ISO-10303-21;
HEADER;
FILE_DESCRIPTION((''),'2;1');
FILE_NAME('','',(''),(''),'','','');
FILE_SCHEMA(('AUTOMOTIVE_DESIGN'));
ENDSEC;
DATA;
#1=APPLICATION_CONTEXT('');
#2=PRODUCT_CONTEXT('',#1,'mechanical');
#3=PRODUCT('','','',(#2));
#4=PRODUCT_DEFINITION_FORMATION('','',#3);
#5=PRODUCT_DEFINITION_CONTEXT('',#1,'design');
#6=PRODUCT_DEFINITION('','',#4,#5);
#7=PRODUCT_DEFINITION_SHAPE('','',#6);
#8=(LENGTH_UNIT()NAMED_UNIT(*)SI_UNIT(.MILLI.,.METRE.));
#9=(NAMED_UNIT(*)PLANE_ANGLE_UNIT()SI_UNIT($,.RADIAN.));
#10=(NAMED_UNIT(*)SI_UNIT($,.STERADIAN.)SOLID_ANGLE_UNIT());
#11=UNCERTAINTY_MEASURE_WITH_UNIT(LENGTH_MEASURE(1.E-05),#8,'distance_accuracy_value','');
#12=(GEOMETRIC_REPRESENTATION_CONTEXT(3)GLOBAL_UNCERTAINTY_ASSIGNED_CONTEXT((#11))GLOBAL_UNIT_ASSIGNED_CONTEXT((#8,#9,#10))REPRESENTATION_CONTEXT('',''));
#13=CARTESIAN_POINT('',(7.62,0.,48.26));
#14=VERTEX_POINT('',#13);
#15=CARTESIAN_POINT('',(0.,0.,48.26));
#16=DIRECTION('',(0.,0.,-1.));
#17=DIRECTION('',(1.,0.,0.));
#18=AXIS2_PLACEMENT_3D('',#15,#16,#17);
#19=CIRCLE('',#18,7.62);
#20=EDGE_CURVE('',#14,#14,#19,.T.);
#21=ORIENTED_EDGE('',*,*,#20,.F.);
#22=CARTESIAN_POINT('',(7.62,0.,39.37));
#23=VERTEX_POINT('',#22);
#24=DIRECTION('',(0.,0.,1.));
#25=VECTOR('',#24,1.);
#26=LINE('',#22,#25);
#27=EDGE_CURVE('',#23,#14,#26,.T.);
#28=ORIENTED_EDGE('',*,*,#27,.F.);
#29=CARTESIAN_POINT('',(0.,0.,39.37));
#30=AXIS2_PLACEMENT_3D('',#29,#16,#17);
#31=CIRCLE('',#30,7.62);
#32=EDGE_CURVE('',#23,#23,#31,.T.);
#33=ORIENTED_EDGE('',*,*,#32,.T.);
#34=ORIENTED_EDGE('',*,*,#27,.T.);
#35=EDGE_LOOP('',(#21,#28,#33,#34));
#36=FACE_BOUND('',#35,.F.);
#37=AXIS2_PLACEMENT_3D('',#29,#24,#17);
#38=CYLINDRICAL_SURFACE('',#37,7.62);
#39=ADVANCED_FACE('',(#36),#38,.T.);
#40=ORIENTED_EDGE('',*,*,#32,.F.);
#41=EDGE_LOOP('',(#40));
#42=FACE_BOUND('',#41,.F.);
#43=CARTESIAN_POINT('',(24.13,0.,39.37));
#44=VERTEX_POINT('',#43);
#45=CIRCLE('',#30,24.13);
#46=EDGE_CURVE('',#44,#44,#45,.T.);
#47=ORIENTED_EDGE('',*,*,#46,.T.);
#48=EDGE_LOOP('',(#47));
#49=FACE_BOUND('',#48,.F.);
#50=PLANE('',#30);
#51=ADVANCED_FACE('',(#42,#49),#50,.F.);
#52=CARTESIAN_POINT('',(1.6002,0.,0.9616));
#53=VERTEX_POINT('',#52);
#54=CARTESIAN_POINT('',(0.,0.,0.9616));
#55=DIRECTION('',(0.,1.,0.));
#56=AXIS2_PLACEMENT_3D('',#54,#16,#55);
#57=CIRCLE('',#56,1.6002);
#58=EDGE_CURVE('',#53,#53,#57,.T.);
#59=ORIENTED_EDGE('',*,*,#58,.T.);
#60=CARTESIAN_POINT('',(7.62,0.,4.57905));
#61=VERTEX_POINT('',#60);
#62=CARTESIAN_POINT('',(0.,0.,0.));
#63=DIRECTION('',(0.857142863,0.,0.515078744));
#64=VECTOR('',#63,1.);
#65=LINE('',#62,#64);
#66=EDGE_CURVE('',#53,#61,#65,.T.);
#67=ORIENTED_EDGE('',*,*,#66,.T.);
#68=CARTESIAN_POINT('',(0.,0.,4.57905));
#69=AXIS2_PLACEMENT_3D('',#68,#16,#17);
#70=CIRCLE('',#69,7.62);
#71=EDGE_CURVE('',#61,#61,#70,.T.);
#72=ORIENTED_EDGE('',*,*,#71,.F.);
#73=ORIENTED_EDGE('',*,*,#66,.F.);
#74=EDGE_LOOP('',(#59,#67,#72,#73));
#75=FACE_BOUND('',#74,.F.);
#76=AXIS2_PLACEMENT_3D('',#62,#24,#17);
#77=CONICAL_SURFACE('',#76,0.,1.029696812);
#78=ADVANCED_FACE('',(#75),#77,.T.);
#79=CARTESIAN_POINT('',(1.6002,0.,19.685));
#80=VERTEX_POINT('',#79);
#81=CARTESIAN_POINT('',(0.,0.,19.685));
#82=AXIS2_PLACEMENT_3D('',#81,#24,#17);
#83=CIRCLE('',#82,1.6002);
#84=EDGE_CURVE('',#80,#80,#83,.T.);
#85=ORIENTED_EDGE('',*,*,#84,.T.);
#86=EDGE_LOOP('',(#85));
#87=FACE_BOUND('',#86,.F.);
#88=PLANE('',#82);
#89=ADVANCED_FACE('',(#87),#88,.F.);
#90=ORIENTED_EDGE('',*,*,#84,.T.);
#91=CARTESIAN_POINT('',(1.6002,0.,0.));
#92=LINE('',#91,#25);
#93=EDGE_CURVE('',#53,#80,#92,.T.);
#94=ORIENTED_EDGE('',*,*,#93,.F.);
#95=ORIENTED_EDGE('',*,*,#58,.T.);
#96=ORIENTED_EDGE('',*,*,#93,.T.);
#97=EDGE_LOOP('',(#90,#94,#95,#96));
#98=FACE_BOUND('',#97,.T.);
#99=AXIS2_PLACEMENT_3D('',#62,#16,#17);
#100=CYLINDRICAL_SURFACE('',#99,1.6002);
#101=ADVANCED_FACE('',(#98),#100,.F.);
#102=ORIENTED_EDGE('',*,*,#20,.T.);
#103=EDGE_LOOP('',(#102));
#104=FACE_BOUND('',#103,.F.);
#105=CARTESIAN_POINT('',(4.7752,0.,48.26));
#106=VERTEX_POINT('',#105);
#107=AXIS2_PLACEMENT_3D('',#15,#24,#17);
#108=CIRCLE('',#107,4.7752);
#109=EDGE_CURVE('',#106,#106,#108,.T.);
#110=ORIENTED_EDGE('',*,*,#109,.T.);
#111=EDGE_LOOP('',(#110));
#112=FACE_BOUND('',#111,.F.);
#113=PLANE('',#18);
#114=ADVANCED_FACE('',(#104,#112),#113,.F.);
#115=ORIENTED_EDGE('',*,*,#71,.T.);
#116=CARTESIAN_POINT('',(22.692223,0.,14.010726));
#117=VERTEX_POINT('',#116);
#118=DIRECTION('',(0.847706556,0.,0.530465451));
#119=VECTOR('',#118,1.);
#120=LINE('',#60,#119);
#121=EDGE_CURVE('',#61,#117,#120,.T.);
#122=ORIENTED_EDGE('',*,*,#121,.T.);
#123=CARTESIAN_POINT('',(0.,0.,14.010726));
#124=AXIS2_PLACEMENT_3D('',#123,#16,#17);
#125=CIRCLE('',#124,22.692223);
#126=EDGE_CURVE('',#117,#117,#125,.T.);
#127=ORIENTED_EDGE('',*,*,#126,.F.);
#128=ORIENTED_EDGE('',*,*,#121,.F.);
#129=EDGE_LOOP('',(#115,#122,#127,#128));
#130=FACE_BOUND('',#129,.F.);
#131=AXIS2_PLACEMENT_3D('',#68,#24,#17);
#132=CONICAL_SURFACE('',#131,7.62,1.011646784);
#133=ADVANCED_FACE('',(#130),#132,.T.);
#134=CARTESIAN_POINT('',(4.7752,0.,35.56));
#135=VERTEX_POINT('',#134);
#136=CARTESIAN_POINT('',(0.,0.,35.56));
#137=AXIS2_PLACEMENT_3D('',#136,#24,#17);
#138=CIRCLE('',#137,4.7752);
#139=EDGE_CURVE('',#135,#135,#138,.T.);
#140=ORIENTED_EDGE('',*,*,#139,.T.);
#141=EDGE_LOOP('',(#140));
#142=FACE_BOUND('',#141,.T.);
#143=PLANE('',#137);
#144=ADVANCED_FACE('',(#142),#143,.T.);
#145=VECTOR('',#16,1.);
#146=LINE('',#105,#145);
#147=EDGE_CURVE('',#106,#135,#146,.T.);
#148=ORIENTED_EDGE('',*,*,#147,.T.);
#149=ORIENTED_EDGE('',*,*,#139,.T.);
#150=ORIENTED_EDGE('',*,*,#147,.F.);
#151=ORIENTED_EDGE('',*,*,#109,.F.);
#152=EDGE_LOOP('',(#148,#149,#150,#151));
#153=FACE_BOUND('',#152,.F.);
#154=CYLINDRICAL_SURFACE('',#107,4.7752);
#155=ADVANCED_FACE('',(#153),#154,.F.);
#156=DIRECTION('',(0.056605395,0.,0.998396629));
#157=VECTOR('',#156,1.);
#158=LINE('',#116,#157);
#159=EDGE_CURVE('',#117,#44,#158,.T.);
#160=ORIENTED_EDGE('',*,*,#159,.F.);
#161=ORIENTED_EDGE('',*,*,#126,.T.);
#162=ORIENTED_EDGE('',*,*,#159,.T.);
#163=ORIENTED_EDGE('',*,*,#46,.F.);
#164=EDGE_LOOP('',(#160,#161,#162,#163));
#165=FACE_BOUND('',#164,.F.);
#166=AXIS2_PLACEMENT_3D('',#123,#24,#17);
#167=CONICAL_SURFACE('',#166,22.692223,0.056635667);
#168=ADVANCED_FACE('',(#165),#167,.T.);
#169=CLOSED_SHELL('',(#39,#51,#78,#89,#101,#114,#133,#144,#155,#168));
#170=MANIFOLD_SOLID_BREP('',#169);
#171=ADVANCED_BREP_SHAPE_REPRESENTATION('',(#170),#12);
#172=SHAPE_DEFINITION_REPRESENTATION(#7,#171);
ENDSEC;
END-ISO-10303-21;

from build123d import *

# Parameters (mm, degrees)
F2_R     = 4.7752
F3_DEPTH = 12.7
F4_R     = 1.6002
F5_DEPTH = 19.685


with BuildPart() as f1:
    # F0 (on Front) → F1 (revolve)
    with BuildSketch(Plane.XZ):
        Polygon((0, 48.26), (0, 0), (7.62, 4.57905), (22.692223, 14.010726), (24.13, 39.37), (7.62, 39.37), (7.62, 48.26), align=None)
    revolve(axis=Axis((0, 0, 24.13), (0, 0, -1)))

    # F2 (on face) → F3 (cut)
    with BuildSketch(Plane.XY.offset(48.26)):
        Circle(F2_R)
    extrude(amount=-F3_DEPTH, mode=Mode.SUBTRACT)

    # F4 (on Top) → F5 (cut)
    with BuildSketch(Plane.XY):
        Circle(F4_R)
    extrude(amount=F5_DEPTH, mode=Mode.SUBTRACT)


solid = f1.part
